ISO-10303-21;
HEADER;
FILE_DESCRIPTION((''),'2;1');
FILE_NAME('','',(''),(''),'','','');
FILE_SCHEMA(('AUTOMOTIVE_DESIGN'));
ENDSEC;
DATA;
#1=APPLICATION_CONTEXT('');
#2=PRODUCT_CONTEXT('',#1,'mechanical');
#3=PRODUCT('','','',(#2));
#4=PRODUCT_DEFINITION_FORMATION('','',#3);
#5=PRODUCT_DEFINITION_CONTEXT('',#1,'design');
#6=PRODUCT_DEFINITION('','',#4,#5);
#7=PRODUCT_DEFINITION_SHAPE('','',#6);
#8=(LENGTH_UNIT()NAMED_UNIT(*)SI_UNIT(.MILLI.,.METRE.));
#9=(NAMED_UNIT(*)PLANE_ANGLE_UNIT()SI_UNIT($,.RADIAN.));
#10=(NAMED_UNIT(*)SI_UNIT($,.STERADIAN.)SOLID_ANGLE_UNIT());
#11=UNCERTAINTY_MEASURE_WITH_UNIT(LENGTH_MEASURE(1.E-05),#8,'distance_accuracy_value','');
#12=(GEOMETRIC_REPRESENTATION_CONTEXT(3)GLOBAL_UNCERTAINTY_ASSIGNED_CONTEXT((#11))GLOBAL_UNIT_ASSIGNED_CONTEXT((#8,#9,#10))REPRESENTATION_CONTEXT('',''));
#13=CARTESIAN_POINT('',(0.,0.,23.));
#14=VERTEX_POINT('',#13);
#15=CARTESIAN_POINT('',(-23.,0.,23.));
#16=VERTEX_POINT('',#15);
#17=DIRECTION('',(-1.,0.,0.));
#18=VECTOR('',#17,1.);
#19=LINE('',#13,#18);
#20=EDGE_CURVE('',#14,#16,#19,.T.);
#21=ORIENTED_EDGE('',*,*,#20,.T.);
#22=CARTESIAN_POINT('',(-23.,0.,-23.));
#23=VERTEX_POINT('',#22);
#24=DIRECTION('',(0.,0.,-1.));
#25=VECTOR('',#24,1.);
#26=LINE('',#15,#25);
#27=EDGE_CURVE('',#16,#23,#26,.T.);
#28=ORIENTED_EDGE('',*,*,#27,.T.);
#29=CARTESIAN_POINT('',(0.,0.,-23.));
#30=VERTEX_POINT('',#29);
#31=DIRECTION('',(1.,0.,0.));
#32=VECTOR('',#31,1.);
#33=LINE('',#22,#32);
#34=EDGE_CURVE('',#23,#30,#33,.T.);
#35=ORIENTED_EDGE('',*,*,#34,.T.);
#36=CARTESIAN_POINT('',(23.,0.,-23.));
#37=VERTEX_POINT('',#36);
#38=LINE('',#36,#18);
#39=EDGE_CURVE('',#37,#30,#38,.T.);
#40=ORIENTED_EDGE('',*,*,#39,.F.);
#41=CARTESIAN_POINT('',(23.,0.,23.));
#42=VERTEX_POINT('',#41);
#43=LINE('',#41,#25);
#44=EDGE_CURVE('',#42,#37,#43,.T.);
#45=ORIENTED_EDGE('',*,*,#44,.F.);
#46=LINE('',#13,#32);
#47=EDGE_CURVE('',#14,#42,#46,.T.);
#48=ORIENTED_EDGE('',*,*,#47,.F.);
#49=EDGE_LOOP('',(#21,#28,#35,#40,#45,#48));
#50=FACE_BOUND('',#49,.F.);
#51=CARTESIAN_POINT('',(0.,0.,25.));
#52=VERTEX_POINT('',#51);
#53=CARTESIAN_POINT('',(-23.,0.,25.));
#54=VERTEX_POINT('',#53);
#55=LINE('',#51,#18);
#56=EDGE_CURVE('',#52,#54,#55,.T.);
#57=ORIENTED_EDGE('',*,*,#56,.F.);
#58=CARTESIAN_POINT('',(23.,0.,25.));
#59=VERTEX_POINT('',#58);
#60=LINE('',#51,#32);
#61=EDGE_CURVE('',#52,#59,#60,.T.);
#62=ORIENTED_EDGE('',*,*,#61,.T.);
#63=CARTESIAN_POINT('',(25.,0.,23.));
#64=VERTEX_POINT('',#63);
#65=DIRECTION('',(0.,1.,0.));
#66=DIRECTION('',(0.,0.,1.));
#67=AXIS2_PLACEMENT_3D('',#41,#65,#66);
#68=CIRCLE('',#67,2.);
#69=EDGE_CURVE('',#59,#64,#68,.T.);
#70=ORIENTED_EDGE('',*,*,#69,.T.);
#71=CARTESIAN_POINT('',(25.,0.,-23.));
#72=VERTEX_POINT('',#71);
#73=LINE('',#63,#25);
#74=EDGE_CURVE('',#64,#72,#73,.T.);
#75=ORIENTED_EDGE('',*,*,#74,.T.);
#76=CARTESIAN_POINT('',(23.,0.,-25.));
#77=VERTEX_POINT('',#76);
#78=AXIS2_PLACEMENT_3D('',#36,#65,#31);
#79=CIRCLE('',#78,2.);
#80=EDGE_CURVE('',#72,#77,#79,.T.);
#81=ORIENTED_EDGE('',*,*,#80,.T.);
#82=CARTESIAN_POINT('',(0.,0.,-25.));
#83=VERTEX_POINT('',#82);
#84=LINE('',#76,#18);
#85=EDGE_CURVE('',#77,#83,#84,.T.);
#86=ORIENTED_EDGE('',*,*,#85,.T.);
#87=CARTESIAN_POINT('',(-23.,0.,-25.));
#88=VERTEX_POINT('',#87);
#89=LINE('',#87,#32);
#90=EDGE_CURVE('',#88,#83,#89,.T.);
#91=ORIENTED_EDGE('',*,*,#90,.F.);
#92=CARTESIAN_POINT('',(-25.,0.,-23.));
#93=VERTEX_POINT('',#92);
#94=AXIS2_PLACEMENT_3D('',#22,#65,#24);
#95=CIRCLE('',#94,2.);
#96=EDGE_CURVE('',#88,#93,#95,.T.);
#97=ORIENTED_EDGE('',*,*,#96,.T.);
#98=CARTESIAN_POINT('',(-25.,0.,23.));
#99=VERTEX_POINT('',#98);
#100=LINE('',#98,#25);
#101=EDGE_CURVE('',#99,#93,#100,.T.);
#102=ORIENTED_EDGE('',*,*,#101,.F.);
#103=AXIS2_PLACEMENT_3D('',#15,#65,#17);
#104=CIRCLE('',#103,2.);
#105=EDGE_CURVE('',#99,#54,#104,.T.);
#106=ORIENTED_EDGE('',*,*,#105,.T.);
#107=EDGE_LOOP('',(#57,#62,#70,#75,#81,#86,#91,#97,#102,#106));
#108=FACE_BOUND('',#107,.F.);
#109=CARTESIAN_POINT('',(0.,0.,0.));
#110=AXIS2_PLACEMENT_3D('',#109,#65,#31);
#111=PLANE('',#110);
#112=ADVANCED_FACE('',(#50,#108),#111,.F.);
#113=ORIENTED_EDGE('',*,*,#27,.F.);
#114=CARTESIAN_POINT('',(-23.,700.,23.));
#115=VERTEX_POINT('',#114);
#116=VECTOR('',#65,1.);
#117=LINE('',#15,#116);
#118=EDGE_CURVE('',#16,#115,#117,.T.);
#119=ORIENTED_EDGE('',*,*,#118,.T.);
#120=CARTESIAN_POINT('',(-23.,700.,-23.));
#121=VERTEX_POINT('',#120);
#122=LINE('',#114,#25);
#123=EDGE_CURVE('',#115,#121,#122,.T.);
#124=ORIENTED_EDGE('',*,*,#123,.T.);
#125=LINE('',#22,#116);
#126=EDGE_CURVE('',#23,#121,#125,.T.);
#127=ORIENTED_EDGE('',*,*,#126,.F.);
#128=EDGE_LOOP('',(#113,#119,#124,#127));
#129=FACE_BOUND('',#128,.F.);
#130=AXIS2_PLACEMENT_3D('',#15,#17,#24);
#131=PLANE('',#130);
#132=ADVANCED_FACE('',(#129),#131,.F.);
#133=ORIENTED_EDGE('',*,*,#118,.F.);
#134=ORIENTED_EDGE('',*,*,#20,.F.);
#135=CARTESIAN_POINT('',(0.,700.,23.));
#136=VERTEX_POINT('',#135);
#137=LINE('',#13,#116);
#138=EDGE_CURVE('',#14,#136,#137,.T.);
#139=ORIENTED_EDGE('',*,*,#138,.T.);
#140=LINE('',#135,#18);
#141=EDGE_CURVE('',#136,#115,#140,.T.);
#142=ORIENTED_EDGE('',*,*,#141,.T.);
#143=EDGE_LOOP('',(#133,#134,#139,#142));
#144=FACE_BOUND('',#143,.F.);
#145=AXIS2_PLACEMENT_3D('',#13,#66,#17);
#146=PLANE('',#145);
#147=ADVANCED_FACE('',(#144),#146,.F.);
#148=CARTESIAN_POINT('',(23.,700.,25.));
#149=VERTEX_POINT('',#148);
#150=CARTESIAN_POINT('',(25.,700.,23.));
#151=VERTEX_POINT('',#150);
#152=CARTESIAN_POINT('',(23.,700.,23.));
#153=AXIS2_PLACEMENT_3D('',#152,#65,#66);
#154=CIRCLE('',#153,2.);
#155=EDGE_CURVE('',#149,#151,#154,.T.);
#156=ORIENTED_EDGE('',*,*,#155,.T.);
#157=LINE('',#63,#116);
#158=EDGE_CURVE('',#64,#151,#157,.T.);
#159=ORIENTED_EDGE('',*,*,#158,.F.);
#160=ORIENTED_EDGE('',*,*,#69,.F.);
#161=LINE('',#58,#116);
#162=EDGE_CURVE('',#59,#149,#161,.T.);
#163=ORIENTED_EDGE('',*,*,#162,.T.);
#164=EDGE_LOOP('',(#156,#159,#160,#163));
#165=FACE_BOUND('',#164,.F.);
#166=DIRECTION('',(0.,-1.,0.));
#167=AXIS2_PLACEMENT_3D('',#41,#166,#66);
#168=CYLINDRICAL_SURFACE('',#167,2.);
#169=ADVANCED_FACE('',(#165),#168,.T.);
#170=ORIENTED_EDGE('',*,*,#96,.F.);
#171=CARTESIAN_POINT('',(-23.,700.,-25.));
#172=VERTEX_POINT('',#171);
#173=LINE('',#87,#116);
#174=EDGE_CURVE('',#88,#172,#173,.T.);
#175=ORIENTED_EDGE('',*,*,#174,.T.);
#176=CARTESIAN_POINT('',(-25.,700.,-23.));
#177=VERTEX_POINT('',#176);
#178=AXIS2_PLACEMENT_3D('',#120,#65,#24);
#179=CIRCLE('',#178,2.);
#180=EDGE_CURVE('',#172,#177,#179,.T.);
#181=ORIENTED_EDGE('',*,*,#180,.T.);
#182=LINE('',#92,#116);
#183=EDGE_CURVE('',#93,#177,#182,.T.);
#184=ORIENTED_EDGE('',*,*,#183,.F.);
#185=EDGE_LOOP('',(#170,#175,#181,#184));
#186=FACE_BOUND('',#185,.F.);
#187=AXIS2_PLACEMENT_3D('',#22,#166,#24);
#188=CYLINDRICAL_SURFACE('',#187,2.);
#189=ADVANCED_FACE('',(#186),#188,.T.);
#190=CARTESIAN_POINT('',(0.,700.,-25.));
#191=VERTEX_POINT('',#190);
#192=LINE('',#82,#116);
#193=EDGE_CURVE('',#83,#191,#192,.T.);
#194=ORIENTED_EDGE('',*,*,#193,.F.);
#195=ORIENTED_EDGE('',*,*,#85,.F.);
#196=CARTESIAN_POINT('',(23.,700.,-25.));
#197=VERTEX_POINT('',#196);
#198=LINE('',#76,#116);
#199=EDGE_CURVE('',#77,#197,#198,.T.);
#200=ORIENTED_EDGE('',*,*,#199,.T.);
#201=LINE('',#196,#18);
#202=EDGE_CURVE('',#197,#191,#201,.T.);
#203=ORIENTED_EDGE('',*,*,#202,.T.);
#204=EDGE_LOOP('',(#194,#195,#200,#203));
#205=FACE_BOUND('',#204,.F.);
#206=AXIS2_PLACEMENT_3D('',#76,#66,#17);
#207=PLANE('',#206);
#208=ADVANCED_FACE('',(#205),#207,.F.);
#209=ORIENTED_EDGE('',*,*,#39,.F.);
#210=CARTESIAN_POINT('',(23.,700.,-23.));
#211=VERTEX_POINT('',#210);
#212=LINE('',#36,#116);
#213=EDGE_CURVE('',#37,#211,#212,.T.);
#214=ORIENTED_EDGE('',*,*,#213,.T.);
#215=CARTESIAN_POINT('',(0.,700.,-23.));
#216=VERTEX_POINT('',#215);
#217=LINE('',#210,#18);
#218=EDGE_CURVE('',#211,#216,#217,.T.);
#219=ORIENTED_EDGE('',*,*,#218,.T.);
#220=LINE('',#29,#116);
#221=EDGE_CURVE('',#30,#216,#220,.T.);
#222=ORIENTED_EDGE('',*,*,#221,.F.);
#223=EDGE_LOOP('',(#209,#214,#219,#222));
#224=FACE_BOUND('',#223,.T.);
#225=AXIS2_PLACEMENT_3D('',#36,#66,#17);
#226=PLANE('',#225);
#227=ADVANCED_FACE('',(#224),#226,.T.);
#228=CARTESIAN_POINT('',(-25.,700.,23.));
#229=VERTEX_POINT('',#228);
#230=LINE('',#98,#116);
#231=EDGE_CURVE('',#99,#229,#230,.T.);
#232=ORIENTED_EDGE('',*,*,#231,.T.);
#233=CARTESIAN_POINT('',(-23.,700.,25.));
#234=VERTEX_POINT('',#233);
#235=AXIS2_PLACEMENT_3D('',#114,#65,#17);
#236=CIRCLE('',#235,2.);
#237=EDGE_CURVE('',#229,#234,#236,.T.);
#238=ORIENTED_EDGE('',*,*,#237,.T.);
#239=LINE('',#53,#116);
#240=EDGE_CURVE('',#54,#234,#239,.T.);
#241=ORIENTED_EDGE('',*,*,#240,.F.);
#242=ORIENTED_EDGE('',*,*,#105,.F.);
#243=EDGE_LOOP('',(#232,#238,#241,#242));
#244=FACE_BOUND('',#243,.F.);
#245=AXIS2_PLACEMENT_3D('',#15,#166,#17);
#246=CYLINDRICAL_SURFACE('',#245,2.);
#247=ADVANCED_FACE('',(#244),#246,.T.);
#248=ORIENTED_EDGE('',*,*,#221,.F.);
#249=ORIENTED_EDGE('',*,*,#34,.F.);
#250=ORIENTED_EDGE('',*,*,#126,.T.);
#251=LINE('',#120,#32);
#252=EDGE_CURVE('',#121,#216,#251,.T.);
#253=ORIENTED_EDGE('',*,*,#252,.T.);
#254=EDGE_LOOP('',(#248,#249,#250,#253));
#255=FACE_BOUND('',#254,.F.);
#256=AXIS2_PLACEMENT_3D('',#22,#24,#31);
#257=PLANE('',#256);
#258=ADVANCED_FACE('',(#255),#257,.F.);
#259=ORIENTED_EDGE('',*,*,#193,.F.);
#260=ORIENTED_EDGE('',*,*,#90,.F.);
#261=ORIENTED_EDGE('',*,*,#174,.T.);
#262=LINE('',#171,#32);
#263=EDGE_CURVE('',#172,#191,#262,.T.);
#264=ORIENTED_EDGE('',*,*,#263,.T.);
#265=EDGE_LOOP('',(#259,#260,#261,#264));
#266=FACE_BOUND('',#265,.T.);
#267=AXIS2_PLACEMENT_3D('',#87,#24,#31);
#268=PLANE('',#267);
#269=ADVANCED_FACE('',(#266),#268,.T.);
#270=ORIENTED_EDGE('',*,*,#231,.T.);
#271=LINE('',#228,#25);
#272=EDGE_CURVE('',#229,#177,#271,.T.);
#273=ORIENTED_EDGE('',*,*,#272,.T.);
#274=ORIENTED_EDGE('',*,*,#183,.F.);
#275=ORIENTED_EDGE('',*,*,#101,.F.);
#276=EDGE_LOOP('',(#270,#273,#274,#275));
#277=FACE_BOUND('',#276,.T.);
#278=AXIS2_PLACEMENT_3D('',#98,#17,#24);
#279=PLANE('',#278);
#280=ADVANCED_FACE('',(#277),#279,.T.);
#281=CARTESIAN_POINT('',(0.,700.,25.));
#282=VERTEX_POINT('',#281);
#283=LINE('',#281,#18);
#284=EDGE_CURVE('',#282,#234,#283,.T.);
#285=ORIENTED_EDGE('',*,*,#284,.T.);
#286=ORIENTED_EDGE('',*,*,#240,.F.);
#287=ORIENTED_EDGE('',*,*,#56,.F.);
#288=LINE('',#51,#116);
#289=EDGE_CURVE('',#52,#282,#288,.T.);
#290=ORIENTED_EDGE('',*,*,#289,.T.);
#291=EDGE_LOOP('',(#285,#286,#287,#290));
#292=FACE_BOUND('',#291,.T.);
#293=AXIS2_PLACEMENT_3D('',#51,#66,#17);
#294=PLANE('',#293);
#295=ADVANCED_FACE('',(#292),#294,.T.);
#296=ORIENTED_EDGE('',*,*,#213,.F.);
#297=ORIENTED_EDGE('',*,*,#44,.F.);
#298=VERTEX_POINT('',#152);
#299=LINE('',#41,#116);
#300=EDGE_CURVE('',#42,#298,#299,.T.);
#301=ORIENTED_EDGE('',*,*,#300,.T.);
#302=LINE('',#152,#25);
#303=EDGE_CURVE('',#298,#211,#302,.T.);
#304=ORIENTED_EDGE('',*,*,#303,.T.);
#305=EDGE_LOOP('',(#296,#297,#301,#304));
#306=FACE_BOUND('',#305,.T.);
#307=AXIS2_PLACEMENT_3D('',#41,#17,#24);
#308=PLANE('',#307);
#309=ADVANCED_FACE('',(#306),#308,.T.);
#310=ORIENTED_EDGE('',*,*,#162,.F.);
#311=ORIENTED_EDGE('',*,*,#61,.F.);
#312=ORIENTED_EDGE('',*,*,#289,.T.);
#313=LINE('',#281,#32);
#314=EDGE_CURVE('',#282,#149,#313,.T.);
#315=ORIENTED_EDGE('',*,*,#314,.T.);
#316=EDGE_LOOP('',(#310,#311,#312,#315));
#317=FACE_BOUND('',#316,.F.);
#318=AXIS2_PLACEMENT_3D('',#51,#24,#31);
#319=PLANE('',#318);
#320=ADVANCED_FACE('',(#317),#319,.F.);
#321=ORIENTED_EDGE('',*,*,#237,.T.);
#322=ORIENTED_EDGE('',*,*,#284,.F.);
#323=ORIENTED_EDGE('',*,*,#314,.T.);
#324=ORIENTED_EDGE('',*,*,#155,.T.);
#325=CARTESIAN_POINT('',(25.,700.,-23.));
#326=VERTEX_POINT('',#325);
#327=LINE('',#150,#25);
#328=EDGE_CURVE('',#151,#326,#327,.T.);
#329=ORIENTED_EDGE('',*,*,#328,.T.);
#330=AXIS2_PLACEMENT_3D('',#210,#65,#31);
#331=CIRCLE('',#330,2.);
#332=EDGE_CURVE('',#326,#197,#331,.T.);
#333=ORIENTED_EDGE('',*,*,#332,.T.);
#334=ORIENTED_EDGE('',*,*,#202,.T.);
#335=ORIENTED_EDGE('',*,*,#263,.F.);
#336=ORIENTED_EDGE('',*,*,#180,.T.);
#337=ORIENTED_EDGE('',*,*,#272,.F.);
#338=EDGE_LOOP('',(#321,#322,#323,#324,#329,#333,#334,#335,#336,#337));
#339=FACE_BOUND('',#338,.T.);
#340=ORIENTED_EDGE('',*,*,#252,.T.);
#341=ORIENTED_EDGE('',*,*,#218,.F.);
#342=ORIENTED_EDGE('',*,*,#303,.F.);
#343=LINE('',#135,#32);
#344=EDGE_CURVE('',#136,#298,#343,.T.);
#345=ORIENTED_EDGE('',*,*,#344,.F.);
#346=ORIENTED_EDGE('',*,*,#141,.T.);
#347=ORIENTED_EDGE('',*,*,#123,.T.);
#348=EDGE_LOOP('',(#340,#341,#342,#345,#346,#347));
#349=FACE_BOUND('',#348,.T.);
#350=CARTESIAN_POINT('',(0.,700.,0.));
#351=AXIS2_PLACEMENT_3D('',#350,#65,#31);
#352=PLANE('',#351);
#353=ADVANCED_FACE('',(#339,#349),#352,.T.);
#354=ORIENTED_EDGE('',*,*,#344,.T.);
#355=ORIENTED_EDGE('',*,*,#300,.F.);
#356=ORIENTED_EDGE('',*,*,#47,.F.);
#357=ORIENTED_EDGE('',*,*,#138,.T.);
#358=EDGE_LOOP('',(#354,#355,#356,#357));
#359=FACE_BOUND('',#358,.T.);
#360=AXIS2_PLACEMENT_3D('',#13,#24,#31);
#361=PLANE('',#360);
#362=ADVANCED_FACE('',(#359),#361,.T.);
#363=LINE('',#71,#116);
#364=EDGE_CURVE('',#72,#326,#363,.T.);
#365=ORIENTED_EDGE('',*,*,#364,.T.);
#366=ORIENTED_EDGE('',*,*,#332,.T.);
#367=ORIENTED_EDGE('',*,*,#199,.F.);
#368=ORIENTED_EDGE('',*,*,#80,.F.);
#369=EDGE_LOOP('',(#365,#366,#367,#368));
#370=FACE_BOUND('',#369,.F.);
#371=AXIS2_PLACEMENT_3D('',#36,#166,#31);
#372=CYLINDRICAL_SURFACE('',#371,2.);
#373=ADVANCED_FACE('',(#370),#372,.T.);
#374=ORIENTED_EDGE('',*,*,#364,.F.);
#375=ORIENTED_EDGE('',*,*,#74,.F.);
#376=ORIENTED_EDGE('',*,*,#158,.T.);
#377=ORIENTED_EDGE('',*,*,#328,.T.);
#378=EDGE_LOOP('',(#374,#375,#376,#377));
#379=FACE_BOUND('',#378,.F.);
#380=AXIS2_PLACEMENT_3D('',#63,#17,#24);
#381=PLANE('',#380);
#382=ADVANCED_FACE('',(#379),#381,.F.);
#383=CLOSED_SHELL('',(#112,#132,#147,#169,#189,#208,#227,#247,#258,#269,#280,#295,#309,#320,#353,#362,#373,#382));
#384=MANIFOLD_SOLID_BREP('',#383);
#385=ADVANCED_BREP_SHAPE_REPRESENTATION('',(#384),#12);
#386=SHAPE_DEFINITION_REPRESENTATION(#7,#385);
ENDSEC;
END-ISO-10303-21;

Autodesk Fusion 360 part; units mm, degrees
sketch "Sketch1" plane through (0, 0, 0) normal (0, 1, 0) x (1, 0, 0)
  line L0 (0, -25) -> (23, -25)
  line L1 (25, -23) -> (25, 23)
  line L2 (23, 25) -> (0, 25)
  line L3 (0, -25) -> (-23, -25)
  line L4 (-25, -23) -> (-25, 23)
  line L5 (-23, 25) -> (0, 25)
  line L6 (0, -23) -> (-23, -23)
  line L7 (-23, -23) -> (-23, 23)
  line L8 (-23, 23) -> (0, 23)
  line L9 (23, 23) -> (0, 23)
  line L10 (23, -23) -> (23, 23)
  line L11 (0, -23) -> (23, -23)
  arc A0 (23, -25) -> (25, -23) centre (23, -23) ccw
  arc A1 (-25, -23) -> (-23, -25) centre (-23, -23) ccw
  arc A2 (-23, 25) -> (-25, 23) centre (-23, 23) ccw
  arc A3 (25, 23) -> (23, 25) centre (23, 23) ccw
  point P0 (25, -25)
  point P1 (25, 25)
  dimension "d1" = 25
  dimension "d2" = 25
  dimension "d3" = 50
  dimension "d4" = 2
  dimension "d7" = 2
  dimension "d8" = 2
  dimension "d9" = 2
  dimension "d10" = 2
extrude "Extrude1" add sketch "Sketch1" along normal blind 700
